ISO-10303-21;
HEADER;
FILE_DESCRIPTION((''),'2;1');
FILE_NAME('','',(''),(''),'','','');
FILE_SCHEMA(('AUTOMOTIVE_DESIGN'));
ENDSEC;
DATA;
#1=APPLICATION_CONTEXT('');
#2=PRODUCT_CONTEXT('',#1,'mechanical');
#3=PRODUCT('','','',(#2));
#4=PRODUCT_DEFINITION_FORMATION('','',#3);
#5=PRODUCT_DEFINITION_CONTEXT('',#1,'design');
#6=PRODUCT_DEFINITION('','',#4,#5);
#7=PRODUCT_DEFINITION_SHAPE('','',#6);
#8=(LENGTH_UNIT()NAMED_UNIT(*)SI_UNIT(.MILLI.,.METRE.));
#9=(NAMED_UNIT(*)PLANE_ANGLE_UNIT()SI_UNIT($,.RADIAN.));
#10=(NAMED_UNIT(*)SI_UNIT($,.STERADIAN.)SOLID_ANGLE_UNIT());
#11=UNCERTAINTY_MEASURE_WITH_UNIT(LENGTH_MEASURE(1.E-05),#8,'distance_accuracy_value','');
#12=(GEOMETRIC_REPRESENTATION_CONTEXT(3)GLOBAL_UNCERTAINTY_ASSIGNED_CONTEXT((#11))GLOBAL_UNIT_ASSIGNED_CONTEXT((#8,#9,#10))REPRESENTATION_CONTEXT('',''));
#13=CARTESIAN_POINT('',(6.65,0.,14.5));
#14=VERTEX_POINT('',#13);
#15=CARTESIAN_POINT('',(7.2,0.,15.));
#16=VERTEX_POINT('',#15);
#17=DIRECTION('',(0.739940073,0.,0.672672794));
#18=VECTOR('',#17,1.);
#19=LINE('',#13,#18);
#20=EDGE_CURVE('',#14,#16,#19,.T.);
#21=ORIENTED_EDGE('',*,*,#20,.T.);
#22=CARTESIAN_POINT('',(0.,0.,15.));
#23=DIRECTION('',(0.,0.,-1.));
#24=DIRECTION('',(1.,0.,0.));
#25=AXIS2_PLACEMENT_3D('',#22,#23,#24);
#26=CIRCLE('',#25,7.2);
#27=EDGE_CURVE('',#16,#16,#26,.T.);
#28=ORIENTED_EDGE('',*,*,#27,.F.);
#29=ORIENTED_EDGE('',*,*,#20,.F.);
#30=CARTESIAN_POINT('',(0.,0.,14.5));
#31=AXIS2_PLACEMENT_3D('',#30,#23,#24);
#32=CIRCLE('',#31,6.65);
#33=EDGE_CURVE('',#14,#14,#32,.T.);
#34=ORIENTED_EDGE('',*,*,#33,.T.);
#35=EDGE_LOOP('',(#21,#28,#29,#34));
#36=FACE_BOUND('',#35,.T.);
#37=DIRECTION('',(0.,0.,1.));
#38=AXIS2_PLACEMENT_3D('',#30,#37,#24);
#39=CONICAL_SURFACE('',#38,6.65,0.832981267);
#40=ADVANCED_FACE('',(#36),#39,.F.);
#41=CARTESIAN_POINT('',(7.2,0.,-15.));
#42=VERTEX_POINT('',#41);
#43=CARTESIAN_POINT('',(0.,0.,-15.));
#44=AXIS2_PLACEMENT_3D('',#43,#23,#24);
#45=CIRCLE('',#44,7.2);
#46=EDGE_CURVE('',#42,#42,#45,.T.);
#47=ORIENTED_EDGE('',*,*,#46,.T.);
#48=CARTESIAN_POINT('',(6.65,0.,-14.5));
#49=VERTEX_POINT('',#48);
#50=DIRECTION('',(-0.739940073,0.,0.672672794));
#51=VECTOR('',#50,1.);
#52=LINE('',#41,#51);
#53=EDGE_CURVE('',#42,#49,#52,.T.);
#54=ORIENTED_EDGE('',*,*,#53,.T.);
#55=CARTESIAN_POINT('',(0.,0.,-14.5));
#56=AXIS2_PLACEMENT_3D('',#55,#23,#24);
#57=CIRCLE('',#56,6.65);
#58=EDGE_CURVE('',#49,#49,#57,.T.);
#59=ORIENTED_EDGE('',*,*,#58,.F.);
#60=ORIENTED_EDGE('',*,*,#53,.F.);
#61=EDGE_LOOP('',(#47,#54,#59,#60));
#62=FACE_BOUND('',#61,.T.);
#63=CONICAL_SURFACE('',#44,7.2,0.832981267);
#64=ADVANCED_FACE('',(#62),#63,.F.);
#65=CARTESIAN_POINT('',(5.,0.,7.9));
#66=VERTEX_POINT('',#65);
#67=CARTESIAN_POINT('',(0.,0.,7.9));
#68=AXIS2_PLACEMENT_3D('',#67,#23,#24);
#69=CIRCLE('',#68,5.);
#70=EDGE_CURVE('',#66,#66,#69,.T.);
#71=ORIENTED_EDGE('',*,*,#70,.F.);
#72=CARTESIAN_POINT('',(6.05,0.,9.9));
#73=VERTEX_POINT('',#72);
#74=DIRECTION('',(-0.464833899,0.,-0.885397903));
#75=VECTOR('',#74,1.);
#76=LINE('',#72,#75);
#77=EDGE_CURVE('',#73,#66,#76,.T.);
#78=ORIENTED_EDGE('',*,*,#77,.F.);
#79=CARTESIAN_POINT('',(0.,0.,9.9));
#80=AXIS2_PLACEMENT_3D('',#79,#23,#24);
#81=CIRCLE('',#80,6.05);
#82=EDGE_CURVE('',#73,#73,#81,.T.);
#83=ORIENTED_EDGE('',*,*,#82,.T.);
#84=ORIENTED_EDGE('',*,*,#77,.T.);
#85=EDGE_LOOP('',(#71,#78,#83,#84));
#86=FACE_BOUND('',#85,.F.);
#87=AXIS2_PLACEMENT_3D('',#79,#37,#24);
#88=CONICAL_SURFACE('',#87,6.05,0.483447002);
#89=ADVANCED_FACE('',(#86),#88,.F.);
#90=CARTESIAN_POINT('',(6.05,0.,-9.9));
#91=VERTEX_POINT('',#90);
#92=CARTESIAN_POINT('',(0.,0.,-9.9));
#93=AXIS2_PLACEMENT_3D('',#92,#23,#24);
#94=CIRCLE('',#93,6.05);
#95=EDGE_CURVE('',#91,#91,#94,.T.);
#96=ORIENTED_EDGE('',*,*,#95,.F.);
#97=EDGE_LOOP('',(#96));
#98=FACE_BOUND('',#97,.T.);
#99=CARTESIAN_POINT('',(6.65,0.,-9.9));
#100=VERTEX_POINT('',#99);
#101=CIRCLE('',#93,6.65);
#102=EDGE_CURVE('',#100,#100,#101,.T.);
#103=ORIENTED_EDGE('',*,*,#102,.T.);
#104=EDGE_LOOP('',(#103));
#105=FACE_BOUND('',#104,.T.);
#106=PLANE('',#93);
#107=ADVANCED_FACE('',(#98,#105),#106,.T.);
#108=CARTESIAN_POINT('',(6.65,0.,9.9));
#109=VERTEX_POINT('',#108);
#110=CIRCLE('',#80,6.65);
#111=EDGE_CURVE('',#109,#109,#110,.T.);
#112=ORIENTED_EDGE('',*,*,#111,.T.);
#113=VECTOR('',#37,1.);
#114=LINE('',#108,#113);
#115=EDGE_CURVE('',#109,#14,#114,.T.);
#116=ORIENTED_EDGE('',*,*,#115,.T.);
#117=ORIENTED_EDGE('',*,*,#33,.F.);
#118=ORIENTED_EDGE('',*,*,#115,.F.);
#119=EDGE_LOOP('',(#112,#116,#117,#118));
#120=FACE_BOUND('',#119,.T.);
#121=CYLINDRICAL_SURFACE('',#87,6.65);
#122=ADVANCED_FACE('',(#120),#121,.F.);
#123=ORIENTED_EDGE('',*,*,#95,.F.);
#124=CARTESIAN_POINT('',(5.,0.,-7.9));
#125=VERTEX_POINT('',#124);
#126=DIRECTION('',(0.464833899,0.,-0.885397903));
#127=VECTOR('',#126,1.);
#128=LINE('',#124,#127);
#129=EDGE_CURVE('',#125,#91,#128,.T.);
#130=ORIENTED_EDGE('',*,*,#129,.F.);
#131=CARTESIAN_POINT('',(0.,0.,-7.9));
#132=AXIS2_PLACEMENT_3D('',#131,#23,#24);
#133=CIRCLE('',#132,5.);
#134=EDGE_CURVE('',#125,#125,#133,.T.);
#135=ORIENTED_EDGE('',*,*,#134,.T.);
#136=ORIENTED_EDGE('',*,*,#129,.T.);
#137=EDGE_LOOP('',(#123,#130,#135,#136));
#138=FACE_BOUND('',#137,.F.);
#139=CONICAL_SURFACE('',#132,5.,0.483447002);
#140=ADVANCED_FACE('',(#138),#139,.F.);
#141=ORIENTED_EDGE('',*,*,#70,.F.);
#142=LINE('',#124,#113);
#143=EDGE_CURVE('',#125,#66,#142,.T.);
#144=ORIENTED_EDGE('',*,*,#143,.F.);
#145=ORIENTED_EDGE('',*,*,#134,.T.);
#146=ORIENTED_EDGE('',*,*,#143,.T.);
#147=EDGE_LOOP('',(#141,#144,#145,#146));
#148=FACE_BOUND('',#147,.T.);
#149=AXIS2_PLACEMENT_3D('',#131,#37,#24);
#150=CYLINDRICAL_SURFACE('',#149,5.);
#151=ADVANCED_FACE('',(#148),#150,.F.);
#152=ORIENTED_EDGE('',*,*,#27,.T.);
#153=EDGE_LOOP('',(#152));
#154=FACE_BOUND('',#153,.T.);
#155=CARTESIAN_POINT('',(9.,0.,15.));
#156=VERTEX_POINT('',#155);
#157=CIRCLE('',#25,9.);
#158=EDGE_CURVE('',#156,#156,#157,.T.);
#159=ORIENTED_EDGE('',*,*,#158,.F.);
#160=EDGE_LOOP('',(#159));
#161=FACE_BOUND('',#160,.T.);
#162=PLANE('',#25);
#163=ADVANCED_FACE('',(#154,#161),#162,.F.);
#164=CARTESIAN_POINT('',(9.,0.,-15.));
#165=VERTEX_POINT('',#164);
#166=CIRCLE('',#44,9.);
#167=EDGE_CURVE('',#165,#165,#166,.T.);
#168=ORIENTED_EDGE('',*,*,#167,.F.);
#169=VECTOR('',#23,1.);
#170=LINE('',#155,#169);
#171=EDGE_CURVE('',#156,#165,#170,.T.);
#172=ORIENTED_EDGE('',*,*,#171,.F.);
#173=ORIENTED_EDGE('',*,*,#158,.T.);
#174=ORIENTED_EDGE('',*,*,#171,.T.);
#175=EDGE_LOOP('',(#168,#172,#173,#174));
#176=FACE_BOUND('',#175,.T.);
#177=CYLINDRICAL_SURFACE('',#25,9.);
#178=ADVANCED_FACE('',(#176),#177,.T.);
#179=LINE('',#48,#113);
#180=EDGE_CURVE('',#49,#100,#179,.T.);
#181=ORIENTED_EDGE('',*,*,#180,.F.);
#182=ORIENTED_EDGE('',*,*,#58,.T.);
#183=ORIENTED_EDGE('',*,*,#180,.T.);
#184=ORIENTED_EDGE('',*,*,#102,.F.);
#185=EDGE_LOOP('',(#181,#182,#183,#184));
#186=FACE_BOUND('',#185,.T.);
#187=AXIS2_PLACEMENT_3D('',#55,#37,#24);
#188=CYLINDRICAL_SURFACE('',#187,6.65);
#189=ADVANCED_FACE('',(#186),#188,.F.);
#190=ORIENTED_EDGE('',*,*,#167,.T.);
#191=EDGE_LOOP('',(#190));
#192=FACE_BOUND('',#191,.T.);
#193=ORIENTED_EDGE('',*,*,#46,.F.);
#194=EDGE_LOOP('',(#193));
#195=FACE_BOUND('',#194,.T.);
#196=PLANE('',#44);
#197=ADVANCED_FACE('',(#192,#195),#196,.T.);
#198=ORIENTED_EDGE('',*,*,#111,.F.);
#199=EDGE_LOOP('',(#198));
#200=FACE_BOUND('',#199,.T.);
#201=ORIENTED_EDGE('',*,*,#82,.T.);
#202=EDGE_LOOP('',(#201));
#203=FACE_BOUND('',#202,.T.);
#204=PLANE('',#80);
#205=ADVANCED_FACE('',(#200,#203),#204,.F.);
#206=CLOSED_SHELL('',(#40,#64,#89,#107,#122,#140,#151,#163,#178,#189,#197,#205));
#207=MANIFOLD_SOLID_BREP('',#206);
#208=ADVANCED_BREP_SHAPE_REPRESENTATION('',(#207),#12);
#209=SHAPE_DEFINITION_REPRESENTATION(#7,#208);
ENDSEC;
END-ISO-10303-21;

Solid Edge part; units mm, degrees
revolve "RevolvedProtrusion1" [suppressed]
fillet "Round1" [suppressed]
revolve "RevolvedProtrusion2" [suppressed]
revolve "RevolvedProtrusion3" [suppressed]
sketch "Sketch1" plane through (0, 0, 0) normal (0, -1, 0) x (1, 0, 0)
  line L0 (9, 15) -> (9, -15)
  line L1 (9, -15) -> (7.2, -15)
  line L2 (7.2, -15) -> (6.65, -14.5)
  line L3 (6.65, -14.5) -> (6.65, -9.9)
  line L4 (6.65, -9.9) -> (6.05, -9.9)
  line L5 (5, -7.9) -> (6.05, -9.9)
  line L6 (5, -7.9) -> (5, 7.9)
  line L7 (6.05, 9.9) -> (5, 7.9)
  line L8 (6.05, 9.9) -> (6.65, 9.9)
  line L9 (6.65, 9.9) -> (6.65, 14.5)
  line L10 (6.65, 14.5) -> (7.2, 15)
  line L11 (7.2, 15) -> (9, 15)
  dimension "D1" = 0.6
  dimension "D2" = 2
  dimension "D3" = 1.8
  dimension "D4" = 0.5
  dimension "D5" = 30
  dimension "D6" = 5.1
  dimension "D7" = 6.65
  dimension "D8" = 5
  dimension "D9" = 9
  dimension "D10" = 6.65
revolve "RevolvedProtrusion4" add sketch "Sketch1" angle 360 about axis through (0, 0, 54) along (0, 0, -1)
